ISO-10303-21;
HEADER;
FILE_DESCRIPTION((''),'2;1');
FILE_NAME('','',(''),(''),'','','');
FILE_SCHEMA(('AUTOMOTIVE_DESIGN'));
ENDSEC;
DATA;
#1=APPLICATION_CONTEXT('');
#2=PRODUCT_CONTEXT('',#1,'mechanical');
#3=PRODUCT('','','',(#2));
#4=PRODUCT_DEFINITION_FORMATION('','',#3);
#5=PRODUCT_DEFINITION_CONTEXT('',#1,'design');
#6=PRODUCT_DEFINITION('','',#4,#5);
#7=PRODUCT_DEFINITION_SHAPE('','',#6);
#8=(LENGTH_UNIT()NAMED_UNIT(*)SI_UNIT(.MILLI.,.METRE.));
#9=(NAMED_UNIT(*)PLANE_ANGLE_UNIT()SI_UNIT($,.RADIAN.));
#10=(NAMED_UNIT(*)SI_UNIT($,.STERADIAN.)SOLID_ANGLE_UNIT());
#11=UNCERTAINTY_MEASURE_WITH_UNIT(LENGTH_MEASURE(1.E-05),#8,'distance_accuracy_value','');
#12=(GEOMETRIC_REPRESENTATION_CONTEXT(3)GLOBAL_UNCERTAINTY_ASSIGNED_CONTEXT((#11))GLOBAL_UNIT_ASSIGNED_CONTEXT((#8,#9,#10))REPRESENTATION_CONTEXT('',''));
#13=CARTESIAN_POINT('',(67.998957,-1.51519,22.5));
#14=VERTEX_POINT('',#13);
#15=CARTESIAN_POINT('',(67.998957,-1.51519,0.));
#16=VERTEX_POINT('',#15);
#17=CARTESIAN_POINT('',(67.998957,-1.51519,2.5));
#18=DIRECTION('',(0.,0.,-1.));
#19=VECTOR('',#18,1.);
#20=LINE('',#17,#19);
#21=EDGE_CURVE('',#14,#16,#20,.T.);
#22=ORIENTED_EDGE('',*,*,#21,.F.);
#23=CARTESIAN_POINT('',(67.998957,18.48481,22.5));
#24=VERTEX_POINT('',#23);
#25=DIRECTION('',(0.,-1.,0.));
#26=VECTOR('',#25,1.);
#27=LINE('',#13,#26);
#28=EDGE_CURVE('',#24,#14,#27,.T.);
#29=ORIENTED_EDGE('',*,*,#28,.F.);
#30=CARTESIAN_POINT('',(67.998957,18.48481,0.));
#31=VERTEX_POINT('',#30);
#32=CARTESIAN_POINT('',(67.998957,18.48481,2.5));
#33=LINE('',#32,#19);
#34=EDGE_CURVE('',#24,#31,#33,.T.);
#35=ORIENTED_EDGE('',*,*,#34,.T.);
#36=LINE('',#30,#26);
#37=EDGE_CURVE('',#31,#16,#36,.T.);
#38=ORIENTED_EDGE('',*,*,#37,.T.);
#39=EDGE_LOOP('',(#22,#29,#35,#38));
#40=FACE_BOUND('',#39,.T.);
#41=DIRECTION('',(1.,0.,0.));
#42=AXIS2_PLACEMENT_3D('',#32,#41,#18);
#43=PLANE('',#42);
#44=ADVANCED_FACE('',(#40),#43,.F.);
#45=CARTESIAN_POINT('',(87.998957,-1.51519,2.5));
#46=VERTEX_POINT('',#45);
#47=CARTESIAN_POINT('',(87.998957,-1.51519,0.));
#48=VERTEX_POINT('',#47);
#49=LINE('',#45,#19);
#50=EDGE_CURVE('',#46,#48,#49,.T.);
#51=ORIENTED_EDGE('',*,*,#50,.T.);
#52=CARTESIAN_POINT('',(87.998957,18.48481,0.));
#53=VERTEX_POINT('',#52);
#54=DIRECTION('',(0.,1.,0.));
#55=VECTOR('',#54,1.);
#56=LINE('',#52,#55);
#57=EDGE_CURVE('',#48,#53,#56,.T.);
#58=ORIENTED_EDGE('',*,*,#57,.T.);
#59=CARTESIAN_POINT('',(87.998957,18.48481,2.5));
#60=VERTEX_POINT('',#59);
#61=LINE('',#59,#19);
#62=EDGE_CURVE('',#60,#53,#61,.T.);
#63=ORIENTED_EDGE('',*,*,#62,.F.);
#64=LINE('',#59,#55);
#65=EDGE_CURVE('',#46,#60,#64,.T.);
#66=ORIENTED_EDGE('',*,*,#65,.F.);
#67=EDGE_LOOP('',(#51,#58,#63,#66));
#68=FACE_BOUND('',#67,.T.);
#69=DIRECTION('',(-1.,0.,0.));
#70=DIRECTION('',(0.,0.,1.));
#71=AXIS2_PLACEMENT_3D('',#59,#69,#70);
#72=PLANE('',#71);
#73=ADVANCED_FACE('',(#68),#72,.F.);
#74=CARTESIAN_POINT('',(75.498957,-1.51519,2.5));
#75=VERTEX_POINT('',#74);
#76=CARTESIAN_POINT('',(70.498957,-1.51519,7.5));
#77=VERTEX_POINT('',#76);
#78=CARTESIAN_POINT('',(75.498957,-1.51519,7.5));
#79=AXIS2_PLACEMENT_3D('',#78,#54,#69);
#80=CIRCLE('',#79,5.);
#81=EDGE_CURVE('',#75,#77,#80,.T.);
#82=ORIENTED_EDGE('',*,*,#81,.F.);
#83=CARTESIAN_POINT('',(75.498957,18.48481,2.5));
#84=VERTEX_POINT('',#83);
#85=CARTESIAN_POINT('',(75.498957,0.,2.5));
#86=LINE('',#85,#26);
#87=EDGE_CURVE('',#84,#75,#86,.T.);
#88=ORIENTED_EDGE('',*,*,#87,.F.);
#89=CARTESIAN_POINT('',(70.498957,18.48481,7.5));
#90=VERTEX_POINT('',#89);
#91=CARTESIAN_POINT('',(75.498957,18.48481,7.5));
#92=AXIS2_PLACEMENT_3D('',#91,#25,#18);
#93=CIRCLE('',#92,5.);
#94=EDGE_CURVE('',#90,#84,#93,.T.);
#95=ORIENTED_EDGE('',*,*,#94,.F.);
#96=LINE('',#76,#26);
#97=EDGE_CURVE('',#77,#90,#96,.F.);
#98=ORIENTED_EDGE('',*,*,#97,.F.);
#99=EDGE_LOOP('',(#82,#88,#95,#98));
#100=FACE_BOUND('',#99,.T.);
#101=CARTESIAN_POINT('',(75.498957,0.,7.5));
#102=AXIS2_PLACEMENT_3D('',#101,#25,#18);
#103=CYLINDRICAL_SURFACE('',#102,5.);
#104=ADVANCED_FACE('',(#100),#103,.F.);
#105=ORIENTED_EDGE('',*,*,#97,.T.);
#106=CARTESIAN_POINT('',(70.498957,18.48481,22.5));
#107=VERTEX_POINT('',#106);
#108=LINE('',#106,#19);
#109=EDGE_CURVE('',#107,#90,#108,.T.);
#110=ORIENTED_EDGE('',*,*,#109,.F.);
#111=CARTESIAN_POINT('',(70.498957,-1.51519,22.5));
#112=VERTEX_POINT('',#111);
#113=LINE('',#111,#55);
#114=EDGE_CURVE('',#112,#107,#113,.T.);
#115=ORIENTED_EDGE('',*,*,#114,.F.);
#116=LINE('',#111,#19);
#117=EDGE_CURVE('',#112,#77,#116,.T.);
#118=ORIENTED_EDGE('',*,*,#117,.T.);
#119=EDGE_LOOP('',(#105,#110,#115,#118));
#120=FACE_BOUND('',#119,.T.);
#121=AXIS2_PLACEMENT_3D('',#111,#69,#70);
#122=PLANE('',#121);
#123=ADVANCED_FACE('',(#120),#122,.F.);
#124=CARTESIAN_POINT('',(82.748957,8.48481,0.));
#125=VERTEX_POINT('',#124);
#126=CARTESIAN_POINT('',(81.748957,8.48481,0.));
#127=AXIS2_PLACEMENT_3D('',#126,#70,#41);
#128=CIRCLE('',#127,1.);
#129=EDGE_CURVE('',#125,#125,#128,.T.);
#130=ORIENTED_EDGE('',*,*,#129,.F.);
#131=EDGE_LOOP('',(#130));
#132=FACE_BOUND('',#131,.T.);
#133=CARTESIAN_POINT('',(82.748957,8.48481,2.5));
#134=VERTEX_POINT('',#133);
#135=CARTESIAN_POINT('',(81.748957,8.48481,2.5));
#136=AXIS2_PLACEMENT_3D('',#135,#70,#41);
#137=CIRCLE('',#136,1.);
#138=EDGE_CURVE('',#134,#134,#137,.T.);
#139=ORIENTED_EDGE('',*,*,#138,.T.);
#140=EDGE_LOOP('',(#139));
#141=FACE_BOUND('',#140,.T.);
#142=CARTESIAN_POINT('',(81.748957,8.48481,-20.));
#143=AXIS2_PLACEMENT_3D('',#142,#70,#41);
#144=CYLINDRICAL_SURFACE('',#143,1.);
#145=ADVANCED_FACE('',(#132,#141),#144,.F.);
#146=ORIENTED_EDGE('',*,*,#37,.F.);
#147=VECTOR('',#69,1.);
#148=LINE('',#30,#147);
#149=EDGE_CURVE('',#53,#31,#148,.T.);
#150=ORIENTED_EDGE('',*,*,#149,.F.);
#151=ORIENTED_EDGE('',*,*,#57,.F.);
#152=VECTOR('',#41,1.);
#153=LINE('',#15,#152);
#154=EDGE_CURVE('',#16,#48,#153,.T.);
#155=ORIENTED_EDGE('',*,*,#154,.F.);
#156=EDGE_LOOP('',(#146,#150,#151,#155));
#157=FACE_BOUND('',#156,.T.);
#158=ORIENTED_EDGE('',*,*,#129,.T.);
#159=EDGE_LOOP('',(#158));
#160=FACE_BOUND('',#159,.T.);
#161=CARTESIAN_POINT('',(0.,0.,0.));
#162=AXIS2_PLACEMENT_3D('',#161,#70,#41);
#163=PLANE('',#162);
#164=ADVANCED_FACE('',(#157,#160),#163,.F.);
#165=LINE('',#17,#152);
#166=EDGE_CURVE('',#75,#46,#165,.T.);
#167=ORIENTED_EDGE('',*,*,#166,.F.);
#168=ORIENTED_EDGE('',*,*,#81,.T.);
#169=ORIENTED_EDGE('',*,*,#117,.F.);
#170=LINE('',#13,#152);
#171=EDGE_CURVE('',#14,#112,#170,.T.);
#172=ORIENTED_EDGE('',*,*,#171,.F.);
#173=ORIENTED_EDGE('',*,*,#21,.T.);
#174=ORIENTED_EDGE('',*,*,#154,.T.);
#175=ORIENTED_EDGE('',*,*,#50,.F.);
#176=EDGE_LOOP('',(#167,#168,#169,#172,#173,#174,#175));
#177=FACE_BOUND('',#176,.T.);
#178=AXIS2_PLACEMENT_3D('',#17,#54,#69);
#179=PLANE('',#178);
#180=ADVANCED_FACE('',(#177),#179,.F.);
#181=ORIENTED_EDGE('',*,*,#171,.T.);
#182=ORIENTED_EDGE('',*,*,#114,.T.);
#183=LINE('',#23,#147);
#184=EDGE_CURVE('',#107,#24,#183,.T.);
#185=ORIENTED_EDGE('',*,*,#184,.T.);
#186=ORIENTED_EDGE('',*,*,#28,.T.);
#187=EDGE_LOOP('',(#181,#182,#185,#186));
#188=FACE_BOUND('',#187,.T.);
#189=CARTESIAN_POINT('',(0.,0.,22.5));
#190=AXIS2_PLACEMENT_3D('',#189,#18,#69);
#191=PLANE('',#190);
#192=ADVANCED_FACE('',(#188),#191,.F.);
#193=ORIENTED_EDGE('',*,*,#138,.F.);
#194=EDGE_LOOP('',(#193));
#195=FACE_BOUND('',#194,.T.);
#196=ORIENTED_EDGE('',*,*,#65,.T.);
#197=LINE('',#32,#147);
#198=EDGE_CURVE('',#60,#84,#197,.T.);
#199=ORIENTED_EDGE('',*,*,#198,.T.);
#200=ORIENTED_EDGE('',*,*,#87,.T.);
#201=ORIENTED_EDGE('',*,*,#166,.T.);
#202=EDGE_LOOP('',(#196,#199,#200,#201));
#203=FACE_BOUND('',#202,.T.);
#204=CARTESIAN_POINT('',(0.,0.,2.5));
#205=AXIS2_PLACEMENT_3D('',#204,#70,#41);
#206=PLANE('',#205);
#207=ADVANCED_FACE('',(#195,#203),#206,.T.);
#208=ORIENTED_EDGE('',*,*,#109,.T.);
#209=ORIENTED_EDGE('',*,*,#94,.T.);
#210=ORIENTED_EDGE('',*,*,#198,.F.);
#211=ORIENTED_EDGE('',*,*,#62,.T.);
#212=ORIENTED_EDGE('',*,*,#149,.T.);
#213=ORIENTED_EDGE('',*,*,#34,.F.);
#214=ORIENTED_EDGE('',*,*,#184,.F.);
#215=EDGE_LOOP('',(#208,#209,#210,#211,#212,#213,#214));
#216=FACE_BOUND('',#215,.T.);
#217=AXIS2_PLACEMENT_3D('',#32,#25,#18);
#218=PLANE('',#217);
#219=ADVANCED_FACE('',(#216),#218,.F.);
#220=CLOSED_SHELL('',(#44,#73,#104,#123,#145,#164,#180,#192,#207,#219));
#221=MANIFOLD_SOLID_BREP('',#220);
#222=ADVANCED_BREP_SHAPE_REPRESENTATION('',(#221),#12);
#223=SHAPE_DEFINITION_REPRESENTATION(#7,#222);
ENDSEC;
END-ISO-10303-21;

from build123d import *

# Parameters (mm, degrees)
SKETCH2_W           = 20
SKETCH2_H           = 20
BOSS_EXTRUDE1_DEPTH = 2.5
SKETCH3_W           = 2.5
SKETCH3_H           = 20
BOSS_EXTRUDE2_DEPTH = 22.5
FILLET1_R           = 5
SKETCH4_R           = 1
CUT_EXTRUDE1_DEPTH  = 22.5


with BuildPart() as part:
    # Sketch2 → Boss-Extrude1 (new body)
    with BuildSketch(Plane.XY):
        with Locations((77.998956535, 8.484810347)):
            Rectangle(SKETCH2_W, SKETCH2_H)
    extrude(amount=BOSS_EXTRUDE1_DEPTH)

    # Sketch3 → Boss-Extrude2 (add)
    with BuildSketch(Plane.XY):
        with Locations((69.248956535, 8.484810347)):
            Rectangle(SKETCH3_W, SKETCH3_H)
    extrude(amount=BOSS_EXTRUDE2_DEPTH)

    # Fillet1
    fillet1_edges = [part.edges().sort_by_distance(p)[0] for p in [
        (70.498956535, 8.484810347, 2.5),
    ]]
    fillet(fillet1_edges, radius=FILLET1_R)

    # Sketch4 → Cut-Extrude1 (cut)
    with BuildSketch(Plane.XY.offset(2.5)):
        with Locations((81.748956535, 8.484810347)):
            Circle(SKETCH4_R)
    extrude(amount=-CUT_EXTRUDE1_DEPTH, mode=Mode.SUBTRACT)


solid = part.part
